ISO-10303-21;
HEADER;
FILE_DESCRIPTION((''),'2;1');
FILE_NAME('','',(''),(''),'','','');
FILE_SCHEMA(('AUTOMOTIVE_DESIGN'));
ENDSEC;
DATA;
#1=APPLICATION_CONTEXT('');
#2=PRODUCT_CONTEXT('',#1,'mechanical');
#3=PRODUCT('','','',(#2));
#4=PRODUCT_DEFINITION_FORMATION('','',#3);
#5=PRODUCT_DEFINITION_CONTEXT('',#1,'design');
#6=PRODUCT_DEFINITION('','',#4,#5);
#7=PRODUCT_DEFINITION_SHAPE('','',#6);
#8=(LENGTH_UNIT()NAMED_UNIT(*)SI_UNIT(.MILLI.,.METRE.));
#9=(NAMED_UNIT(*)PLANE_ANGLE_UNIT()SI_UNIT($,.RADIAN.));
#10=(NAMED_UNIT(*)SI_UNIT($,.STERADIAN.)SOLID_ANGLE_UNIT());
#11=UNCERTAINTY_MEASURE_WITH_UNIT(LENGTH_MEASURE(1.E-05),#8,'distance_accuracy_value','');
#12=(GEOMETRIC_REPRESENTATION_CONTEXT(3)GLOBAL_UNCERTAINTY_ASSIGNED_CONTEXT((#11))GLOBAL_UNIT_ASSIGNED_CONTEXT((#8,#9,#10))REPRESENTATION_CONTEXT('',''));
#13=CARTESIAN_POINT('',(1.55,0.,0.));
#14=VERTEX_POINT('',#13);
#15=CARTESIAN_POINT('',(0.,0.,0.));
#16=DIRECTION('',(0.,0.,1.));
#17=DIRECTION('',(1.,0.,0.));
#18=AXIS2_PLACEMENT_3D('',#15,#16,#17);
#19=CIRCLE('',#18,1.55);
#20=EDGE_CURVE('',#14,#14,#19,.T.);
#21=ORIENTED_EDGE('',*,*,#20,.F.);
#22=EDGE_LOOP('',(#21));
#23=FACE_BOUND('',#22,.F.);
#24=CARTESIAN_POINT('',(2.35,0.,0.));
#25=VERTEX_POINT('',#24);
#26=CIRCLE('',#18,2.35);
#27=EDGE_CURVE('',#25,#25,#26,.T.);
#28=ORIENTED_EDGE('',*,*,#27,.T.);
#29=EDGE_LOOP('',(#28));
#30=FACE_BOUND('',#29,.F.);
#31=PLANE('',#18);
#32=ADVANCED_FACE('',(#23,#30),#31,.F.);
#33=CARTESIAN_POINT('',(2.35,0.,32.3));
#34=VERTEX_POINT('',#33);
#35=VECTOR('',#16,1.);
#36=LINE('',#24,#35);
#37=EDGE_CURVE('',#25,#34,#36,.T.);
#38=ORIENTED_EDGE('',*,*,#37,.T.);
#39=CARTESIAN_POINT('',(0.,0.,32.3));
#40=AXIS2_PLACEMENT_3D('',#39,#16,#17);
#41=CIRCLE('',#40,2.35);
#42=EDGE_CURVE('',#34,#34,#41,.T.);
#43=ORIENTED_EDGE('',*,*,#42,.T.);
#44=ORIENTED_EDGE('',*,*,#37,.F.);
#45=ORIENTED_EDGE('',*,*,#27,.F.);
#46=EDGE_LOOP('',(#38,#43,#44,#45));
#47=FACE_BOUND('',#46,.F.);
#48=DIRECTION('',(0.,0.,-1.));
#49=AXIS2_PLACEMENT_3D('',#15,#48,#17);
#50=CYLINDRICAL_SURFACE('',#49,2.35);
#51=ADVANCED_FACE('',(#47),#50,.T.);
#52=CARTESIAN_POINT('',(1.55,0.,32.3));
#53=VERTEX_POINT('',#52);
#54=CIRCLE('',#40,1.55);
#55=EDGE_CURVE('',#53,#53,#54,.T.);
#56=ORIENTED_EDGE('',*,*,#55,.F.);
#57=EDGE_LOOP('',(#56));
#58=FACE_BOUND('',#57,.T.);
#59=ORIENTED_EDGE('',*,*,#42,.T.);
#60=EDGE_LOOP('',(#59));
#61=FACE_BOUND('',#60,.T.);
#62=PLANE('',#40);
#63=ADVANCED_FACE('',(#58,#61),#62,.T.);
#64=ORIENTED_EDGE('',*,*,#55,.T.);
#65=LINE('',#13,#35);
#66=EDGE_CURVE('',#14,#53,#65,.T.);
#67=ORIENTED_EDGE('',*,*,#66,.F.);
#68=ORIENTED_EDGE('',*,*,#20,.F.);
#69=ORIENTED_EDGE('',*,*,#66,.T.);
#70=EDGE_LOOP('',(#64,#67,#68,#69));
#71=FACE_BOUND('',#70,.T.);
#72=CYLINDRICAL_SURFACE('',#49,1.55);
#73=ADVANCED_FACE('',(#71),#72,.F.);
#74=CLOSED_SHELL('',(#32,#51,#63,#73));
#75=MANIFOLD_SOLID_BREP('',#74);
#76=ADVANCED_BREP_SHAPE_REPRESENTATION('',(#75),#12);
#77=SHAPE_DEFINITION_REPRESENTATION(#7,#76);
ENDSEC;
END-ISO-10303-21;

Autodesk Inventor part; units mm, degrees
ref_plane "YZ Plane" through (0, 0, 0) normal (1, 0, 0) x (0, 1, 0)
ref_plane "XZ Plane" through (0, 0, 0) normal (0, 1, 0) x (-1, 0, 0)
ref_plane "XY Plane" through (0, 0, 0) normal (0, 0, 1) x (1, 0, 0)
sketch "Skizze1" plane through (0, 0, 0) normal (0, 0, 1) x (1, 0, 0)
  circle A0 centre (0, 0) radius 1.55
  circle A1 centre (0, 0) radius 2.35
  dimension "d0" = 0.8
  dimension "d1" = 3.1
extrude "Extrusion1" add sketch "Skizze1" along normal blind 32.3
properties part number "Stewart-Rod-Pipe-Small"
